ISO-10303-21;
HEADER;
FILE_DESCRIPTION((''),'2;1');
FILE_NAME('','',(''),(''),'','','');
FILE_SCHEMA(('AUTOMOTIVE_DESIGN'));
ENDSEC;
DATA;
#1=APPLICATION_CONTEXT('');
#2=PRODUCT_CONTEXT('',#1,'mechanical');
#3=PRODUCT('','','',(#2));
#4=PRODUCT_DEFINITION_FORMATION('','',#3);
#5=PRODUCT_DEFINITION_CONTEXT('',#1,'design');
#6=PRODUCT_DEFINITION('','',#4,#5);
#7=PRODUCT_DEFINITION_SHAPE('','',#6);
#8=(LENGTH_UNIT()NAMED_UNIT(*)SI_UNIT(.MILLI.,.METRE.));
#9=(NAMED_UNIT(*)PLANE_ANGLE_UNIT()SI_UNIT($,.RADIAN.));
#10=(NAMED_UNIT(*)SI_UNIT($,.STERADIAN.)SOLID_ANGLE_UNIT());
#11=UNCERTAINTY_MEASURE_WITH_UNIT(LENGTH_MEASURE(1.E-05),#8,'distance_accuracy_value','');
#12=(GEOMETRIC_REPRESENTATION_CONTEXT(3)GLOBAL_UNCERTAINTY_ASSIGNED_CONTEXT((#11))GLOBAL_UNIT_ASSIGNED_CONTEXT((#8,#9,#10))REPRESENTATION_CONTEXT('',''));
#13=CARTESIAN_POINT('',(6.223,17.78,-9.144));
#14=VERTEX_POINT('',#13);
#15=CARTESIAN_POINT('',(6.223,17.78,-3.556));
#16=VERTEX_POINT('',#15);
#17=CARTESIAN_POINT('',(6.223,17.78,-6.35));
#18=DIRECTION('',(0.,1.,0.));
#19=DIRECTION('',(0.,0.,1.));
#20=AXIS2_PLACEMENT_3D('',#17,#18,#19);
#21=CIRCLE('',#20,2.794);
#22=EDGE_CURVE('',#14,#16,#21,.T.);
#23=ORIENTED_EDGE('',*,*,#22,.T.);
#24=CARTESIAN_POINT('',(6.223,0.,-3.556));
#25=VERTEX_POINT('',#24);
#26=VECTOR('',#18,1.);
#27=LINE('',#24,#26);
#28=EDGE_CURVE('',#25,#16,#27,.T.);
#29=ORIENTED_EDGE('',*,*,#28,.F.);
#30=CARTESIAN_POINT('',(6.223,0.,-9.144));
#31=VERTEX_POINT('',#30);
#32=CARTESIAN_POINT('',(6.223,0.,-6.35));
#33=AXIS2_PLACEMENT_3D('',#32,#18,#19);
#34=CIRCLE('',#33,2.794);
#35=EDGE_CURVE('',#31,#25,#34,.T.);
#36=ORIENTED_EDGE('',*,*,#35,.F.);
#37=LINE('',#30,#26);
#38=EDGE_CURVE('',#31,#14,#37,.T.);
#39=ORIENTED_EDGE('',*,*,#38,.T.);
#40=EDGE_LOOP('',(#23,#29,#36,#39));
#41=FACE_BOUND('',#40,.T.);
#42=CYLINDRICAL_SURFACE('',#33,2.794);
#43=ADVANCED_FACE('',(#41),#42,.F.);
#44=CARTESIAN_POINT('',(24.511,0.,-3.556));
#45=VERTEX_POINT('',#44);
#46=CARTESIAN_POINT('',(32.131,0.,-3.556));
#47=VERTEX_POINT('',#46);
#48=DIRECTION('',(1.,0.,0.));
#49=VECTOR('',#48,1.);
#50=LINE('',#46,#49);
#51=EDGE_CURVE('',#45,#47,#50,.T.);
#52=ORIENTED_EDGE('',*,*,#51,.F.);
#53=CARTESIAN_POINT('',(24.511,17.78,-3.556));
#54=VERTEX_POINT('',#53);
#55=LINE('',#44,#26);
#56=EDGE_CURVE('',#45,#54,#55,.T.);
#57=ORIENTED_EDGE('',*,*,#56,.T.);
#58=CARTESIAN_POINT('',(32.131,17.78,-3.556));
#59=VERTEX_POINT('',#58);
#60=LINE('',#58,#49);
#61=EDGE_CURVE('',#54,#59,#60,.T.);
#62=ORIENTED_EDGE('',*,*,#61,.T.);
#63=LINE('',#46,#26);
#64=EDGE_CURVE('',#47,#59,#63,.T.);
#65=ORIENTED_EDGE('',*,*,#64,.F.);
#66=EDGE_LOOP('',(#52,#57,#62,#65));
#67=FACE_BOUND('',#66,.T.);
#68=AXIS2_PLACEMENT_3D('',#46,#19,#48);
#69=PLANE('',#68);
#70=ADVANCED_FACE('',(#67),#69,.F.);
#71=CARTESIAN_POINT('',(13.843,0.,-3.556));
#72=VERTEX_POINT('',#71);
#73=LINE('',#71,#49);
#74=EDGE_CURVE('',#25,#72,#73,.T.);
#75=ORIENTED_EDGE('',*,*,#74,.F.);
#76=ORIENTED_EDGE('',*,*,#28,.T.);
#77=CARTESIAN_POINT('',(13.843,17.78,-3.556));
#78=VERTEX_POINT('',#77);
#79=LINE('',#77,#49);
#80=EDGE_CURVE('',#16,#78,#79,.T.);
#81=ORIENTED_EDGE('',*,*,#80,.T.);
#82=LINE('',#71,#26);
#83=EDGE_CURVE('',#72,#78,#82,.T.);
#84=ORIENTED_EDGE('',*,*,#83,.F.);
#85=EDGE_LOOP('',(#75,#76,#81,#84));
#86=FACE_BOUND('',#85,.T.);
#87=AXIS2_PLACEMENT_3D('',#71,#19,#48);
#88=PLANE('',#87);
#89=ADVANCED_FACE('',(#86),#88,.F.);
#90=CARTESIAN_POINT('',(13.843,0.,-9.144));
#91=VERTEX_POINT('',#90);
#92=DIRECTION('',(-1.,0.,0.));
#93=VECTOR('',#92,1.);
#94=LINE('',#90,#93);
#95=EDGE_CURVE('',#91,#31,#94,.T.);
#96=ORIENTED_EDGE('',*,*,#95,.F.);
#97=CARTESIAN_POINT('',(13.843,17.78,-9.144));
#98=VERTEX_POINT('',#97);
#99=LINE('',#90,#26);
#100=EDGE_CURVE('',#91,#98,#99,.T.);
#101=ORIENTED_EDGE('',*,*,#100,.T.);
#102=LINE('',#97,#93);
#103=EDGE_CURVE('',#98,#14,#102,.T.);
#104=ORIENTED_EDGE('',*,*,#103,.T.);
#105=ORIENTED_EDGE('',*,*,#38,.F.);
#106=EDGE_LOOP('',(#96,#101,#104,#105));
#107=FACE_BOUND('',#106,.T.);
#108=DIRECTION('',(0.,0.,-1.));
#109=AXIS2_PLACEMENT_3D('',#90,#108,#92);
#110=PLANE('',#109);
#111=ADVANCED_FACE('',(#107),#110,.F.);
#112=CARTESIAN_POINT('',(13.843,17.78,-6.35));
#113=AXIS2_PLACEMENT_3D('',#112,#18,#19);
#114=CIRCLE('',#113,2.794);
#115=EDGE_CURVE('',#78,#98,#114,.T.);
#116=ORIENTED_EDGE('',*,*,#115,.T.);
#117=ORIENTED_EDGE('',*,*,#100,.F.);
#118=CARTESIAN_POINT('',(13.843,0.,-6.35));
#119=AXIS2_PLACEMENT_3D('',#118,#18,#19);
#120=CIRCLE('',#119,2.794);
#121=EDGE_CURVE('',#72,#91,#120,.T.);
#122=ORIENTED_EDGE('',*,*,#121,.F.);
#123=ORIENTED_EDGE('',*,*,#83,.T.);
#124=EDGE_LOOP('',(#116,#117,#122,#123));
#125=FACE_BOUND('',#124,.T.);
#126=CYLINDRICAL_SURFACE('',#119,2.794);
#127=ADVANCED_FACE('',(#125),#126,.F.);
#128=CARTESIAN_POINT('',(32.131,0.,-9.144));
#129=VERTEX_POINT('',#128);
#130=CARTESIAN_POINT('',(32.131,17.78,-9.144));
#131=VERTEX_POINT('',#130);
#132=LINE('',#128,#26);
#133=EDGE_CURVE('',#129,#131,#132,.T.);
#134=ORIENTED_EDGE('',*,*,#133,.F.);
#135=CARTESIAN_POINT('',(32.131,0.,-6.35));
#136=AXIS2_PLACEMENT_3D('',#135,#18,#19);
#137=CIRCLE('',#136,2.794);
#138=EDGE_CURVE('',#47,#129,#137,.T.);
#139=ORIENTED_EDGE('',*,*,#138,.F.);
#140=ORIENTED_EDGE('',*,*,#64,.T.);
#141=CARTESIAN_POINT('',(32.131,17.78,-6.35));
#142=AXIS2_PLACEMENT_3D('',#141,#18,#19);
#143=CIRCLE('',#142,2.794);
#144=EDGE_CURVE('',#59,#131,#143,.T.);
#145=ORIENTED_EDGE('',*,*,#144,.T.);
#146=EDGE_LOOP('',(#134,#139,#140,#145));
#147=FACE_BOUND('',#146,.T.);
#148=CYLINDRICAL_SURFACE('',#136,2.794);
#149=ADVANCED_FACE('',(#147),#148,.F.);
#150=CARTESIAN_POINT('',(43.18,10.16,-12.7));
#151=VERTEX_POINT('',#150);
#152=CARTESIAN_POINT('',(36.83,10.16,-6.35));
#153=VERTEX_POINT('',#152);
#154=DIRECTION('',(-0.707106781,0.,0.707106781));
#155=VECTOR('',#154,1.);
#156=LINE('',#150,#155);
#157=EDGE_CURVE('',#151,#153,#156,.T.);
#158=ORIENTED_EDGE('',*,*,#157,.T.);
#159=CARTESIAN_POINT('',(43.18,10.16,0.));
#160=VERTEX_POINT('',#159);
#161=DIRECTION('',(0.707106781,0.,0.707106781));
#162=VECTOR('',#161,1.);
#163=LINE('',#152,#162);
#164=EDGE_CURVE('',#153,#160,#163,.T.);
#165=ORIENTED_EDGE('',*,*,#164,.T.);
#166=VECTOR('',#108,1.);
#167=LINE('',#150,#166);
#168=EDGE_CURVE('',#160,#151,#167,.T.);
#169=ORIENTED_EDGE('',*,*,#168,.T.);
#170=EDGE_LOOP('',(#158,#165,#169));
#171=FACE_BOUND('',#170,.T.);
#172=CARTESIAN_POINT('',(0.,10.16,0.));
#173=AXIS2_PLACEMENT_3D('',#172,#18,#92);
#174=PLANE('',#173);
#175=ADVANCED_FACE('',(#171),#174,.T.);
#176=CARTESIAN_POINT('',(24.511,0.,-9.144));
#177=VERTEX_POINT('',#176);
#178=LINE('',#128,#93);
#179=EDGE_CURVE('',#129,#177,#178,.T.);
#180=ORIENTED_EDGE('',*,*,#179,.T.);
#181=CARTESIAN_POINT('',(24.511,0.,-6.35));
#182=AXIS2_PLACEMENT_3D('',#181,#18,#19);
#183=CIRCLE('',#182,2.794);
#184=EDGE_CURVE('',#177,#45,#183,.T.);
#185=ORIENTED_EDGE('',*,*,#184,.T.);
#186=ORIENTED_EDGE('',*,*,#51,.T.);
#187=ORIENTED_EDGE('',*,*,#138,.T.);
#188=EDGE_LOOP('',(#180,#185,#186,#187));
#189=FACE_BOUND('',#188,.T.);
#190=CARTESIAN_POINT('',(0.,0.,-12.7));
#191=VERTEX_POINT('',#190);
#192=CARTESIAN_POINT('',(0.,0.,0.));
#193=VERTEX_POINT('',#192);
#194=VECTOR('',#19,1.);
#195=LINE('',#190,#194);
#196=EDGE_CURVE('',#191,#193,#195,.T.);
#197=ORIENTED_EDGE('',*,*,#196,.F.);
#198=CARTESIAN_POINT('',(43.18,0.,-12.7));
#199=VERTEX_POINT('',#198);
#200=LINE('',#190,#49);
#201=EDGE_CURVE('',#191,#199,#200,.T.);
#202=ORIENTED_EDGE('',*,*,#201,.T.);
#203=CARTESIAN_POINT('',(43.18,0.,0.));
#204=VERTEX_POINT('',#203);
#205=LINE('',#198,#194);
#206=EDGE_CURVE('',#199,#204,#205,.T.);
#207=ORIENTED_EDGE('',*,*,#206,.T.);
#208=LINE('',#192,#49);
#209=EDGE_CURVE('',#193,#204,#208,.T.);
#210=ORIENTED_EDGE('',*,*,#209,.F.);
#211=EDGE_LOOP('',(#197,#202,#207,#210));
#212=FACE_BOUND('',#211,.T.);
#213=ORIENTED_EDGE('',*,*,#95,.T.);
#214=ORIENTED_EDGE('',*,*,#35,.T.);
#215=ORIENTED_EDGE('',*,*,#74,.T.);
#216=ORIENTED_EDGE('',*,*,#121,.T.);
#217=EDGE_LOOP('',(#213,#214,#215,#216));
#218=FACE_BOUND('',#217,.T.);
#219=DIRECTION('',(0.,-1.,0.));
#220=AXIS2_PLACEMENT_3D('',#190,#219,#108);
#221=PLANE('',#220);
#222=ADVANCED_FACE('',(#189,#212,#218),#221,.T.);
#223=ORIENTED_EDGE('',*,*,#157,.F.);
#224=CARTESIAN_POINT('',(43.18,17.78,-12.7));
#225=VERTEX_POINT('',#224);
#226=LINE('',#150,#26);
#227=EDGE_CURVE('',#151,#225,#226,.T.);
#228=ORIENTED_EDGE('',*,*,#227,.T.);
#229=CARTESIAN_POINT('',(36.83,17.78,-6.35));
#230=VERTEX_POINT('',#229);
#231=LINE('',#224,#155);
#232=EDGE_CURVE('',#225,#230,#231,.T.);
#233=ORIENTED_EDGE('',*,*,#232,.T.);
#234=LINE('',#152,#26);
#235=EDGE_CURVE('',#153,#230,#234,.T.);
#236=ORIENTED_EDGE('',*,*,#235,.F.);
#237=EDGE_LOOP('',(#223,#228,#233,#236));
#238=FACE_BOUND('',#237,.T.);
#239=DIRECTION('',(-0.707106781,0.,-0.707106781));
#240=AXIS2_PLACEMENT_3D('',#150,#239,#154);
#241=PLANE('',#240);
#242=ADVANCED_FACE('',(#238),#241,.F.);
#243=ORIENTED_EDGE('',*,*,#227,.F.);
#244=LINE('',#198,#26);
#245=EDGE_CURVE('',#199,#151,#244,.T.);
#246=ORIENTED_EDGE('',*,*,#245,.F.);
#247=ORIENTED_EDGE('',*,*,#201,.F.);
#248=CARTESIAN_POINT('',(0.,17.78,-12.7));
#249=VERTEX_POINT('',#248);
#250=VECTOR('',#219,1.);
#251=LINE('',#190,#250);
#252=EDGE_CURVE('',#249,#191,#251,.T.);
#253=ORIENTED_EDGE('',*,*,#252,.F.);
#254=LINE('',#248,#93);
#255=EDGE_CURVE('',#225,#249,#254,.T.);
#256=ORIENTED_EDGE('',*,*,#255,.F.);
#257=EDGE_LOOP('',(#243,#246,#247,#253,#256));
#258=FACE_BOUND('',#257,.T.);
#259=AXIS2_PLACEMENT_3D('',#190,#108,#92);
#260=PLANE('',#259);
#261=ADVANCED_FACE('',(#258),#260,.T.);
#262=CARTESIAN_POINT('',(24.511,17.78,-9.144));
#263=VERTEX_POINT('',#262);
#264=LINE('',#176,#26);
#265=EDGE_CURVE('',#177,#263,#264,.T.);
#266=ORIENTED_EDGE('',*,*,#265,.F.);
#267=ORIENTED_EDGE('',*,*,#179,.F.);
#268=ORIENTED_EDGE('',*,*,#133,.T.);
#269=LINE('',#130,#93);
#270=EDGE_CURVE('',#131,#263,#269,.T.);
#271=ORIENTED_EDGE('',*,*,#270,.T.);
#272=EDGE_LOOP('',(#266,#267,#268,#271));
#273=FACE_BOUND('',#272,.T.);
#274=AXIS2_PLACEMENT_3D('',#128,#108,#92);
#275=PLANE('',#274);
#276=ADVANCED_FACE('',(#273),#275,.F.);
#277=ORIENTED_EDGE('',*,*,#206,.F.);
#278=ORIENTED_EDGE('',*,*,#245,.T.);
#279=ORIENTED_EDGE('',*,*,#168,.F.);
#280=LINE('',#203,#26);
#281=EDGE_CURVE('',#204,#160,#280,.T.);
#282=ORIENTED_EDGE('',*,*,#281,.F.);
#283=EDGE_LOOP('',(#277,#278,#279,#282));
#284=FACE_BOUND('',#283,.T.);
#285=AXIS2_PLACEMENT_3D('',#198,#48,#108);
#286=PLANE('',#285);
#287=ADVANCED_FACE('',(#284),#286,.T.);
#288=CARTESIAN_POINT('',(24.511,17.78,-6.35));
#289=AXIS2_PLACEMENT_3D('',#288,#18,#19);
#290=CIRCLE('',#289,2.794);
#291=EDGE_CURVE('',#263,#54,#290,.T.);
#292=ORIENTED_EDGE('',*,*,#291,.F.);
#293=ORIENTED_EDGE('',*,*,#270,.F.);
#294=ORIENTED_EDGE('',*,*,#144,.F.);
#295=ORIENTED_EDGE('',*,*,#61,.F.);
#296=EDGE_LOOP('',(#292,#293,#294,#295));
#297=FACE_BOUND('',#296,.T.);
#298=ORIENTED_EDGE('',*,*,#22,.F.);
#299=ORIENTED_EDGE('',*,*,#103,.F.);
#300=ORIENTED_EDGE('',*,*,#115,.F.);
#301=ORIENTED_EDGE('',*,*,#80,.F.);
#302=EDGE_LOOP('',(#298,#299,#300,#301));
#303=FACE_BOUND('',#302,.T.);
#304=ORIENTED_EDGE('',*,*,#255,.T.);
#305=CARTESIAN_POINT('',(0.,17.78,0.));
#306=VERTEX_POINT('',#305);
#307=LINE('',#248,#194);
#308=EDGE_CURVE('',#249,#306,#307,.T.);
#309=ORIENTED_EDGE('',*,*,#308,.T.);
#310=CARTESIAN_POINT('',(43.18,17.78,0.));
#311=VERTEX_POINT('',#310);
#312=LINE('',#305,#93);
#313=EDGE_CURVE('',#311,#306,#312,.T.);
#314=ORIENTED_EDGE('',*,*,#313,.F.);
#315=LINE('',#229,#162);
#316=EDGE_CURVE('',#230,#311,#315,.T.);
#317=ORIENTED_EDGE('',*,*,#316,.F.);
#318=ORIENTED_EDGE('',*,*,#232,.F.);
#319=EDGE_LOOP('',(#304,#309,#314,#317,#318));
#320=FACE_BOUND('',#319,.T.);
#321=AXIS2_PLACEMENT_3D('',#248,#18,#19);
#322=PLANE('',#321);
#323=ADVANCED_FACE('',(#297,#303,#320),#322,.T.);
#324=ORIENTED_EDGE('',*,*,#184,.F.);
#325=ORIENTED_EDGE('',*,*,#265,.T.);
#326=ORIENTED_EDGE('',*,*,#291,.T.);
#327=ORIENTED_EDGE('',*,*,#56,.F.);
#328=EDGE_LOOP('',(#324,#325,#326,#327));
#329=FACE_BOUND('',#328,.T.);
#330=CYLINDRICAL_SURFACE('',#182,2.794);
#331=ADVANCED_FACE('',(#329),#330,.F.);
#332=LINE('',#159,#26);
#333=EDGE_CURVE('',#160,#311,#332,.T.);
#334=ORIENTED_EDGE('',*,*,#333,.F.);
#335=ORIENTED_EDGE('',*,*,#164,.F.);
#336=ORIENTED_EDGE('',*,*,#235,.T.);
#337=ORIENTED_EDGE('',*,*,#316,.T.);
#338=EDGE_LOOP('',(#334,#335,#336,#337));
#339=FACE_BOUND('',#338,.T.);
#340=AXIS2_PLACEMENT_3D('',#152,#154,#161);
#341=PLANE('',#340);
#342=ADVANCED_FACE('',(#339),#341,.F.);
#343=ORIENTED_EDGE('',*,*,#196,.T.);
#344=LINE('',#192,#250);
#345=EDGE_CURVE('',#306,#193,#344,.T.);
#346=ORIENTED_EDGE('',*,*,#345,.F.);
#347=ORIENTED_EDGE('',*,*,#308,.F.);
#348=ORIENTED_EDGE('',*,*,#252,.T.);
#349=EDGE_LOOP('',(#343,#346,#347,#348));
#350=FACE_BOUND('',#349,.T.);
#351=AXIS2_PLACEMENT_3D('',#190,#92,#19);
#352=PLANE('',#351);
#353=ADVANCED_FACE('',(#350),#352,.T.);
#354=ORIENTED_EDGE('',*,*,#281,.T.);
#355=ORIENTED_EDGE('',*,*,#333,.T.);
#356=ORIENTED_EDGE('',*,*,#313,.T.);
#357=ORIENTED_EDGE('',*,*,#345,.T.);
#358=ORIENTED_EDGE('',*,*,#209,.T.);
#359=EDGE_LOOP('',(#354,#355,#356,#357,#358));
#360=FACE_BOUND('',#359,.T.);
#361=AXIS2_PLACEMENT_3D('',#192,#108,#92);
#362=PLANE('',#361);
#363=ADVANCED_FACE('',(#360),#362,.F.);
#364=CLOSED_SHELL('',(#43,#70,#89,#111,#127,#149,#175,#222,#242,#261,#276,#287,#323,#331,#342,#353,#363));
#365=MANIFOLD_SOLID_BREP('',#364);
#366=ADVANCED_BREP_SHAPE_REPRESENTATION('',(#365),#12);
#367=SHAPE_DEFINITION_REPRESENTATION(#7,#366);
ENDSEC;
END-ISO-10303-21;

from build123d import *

# Parameters (mm, degrees)
SKETCH1_W           = 43.18
SKETCH1_H           = 17.78
BOSS_EXTRUDE1_DEPTH = 12.7
CUT_EXTRUDE1_DEPTH  = 7.62
CUT_EXTRUDE2_DEPTH  = 49.393499563


with BuildPart() as part:
    # Sketch1 → Boss-Extrude1 (new body)
    with BuildSketch(Plane.XY):
        with Locations((21.59, 8.89)):
            Rectangle(SKETCH1_W, SKETCH1_H)
    extrude(amount=-BOSS_EXTRUDE1_DEPTH)

    # Sketch3 → Cut-Extrude1 (cut)
    with BuildSketch(Plane(origin=(0, 17.78, 0), x_dir=(1, 0, 0), z_dir=(0, 1, 0))):
        Polygon((43.18, 12.7), (36.83, 6.35), (43.18, 0), align=None)
    extrude(amount=-CUT_EXTRUDE1_DEPTH, mode=Mode.SUBTRACT)

    # Sketch4 → Cut-Extrude2 (cut, through all)
    with BuildSketch(Plane(origin=(0, 17.78, 0), x_dir=(1, 0, 0), z_dir=(0, 1, 0))):
        with BuildLine():
            Line((32.131, 3.556), (24.511, 3.556))
            ThreePointArc((24.511, 3.556), (21.717, 6.35), (24.511, 9.144))
            Line((24.511, 9.144), (32.131, 9.144))
            ThreePointArc((32.131, 9.144), (34.925, 6.35), (32.131, 3.556))
        make_face()
        with BuildLine():
            Line((13.843, 3.556), (6.223, 3.556))
            ThreePointArc((6.223, 3.556), (3.429, 6.35), (6.223, 9.144))
            Line((6.223, 9.144), (13.843, 9.144))
            ThreePointArc((13.843, 9.144), (16.637, 6.35), (13.843, 3.556))
        make_face()
    extrude(amount=-CUT_EXTRUDE2_DEPTH, mode=Mode.SUBTRACT)


solid = part.part
